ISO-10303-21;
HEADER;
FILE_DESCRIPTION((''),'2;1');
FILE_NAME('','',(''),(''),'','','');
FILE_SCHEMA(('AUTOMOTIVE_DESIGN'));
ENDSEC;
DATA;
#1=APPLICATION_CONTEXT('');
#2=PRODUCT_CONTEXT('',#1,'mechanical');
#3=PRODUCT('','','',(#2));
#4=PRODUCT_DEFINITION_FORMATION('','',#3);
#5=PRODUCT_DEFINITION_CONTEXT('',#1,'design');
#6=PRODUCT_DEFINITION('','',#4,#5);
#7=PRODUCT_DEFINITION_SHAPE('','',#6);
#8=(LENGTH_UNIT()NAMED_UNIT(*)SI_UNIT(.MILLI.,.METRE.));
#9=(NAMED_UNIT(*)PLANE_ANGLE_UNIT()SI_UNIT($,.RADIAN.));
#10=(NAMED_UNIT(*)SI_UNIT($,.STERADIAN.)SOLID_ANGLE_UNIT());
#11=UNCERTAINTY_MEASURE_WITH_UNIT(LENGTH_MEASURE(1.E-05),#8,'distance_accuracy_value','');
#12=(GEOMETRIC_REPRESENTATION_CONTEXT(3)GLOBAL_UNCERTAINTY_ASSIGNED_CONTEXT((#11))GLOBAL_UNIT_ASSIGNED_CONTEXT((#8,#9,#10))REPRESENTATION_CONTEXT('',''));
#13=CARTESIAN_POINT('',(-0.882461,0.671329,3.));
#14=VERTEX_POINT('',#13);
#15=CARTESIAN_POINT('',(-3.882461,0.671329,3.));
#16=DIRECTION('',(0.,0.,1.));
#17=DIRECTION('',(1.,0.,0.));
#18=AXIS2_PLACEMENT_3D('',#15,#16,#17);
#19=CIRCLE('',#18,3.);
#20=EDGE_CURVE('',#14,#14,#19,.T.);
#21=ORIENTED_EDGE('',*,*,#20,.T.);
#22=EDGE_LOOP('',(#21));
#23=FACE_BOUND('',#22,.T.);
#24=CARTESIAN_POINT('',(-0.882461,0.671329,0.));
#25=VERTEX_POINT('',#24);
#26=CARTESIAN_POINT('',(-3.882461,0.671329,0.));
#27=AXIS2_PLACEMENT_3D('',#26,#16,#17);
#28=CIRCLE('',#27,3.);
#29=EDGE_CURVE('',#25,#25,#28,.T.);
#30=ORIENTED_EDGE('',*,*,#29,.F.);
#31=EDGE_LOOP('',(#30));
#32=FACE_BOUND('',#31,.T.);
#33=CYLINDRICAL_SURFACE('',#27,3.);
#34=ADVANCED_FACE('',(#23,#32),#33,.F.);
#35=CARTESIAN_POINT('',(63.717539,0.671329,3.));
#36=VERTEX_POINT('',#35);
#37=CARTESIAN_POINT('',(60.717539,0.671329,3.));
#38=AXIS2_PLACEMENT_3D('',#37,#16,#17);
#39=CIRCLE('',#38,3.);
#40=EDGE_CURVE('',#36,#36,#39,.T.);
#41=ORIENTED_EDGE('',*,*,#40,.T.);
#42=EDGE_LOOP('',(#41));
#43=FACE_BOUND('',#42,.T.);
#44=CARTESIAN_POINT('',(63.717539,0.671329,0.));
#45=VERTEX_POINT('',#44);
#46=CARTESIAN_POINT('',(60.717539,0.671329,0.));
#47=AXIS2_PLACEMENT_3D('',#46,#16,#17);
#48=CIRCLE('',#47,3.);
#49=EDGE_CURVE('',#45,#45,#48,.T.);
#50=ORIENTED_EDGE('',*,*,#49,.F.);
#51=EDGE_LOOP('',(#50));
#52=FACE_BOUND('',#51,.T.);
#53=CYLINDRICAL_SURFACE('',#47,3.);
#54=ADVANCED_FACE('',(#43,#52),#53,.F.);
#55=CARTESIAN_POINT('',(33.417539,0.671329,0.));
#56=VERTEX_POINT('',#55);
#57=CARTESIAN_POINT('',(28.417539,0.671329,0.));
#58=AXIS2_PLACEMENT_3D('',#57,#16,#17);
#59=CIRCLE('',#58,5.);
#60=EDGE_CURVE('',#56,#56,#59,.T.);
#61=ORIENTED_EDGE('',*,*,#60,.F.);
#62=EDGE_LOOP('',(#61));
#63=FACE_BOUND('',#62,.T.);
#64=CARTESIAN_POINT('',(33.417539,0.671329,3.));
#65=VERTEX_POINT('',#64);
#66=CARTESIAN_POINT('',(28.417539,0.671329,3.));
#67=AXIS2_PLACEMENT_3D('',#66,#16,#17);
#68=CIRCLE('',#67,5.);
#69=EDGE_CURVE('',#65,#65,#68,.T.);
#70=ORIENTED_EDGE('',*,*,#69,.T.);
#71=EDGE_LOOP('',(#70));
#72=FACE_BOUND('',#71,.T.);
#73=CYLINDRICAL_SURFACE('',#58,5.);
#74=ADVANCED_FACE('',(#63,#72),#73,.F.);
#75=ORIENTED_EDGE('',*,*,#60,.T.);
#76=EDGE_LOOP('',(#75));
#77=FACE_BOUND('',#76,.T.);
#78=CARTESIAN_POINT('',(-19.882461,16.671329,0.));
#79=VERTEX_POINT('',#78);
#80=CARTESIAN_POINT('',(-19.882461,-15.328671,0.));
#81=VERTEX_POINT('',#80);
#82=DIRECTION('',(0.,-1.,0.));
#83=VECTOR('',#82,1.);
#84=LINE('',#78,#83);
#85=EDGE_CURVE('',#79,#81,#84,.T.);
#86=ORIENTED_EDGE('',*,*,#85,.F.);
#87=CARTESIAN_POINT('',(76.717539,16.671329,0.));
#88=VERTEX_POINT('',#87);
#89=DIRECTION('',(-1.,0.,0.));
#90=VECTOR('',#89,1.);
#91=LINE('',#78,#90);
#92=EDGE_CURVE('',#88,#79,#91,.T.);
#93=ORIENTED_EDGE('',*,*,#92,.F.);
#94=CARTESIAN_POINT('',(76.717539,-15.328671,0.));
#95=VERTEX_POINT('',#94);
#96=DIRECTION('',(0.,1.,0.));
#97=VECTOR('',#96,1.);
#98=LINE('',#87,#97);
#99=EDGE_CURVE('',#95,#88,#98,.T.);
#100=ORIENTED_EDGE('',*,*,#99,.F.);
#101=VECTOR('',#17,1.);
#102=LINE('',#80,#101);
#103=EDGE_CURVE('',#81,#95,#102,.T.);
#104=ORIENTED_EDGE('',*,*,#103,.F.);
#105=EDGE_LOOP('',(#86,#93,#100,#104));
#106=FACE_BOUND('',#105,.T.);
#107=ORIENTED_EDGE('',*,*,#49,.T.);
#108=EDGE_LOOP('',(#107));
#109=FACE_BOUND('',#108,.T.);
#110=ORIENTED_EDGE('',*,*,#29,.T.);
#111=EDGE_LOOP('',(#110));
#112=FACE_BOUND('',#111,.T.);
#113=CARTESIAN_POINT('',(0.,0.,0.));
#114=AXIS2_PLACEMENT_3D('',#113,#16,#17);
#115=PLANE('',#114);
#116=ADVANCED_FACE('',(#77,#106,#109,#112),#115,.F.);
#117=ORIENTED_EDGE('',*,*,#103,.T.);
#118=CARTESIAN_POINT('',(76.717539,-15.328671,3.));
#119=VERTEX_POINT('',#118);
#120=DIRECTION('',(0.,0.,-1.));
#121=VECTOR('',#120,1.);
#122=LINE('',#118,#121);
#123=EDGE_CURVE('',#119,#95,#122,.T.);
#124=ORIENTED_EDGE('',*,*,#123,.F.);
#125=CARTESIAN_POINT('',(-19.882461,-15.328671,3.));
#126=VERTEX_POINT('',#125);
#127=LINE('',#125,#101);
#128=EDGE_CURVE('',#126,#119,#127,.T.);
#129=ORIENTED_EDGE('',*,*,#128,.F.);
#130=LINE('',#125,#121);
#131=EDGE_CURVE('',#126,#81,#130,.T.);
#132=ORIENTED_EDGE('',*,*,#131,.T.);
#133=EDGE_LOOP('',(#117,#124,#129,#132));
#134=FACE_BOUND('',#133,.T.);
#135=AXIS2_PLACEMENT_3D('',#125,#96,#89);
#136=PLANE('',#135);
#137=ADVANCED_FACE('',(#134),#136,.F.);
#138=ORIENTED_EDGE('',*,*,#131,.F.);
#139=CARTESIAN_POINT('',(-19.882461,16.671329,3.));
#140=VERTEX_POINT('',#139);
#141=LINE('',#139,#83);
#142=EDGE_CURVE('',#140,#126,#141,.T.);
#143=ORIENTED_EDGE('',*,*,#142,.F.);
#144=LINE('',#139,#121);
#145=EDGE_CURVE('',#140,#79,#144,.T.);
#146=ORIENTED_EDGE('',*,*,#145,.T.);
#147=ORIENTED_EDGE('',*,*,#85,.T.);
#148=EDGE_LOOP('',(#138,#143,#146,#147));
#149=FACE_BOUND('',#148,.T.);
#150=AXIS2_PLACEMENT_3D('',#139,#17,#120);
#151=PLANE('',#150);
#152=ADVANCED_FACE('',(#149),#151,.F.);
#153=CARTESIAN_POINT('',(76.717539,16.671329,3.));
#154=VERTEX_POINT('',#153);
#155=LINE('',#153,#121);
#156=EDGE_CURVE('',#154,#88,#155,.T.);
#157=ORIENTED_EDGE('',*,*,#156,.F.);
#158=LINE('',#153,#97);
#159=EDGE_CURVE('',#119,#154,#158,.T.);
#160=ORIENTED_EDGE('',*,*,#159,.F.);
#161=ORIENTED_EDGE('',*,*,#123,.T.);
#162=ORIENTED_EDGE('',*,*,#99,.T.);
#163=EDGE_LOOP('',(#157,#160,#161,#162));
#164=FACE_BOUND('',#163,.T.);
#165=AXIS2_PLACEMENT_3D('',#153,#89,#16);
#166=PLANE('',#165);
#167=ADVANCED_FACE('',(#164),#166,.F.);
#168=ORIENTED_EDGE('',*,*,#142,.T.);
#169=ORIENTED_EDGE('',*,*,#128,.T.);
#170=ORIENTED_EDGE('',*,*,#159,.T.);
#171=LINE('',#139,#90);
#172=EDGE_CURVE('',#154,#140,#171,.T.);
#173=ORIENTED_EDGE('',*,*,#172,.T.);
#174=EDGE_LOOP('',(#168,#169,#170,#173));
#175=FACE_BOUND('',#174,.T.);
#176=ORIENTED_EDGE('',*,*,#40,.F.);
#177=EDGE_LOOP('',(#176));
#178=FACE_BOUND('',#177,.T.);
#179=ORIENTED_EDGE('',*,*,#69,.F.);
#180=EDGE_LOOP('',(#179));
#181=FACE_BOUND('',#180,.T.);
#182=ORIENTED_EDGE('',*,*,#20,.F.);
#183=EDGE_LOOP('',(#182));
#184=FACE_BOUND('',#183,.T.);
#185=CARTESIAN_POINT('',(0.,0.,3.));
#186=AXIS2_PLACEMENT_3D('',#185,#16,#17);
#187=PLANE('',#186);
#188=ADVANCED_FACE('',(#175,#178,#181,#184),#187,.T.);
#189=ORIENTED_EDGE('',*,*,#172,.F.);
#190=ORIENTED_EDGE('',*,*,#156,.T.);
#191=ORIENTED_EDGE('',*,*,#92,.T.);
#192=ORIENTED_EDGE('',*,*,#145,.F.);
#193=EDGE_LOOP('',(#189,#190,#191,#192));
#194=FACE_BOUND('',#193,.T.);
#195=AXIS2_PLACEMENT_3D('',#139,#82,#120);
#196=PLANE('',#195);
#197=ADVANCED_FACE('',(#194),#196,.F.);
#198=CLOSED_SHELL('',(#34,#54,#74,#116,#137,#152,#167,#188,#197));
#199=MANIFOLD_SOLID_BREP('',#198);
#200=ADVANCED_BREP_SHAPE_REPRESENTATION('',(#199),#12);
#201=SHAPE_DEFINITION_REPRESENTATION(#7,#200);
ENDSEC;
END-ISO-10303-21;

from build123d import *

# Parameters (mm, degrees)
SKETCH1_W           = 96.6
SKETCH1_H           = 32
BOSS_EXTRUDE1_DEPTH = 3
SKETCH2_R           = 3
SKETCH2_R_2         = 5
CUT_EXTRUDE1_DEPTH  = 79.565348097


with BuildPart() as part:
    # Sketch1 → Boss-Extrude1 (new body)
    with BuildSketch(Plane.XY):
        with Locations((28.417538555, 0.671328671)):
            Rectangle(SKETCH1_W, SKETCH1_H)
    extrude(amount=BOSS_EXTRUDE1_DEPTH)

    # Sketch2 → Cut-Extrude1 (cut, through all)
    with BuildSketch(Plane.XY.offset(3)):
        with Locations((-3.882461445, 0.671328671)):
            Circle(SKETCH2_R)
        with Locations((60.717538555, 0.671328671)):
            Circle(SKETCH2_R)
        with Locations((28.417538555, 0.671328671)):
            Circle(SKETCH2_R_2)
    extrude(amount=-CUT_EXTRUDE1_DEPTH, mode=Mode.SUBTRACT)


solid = part.part
